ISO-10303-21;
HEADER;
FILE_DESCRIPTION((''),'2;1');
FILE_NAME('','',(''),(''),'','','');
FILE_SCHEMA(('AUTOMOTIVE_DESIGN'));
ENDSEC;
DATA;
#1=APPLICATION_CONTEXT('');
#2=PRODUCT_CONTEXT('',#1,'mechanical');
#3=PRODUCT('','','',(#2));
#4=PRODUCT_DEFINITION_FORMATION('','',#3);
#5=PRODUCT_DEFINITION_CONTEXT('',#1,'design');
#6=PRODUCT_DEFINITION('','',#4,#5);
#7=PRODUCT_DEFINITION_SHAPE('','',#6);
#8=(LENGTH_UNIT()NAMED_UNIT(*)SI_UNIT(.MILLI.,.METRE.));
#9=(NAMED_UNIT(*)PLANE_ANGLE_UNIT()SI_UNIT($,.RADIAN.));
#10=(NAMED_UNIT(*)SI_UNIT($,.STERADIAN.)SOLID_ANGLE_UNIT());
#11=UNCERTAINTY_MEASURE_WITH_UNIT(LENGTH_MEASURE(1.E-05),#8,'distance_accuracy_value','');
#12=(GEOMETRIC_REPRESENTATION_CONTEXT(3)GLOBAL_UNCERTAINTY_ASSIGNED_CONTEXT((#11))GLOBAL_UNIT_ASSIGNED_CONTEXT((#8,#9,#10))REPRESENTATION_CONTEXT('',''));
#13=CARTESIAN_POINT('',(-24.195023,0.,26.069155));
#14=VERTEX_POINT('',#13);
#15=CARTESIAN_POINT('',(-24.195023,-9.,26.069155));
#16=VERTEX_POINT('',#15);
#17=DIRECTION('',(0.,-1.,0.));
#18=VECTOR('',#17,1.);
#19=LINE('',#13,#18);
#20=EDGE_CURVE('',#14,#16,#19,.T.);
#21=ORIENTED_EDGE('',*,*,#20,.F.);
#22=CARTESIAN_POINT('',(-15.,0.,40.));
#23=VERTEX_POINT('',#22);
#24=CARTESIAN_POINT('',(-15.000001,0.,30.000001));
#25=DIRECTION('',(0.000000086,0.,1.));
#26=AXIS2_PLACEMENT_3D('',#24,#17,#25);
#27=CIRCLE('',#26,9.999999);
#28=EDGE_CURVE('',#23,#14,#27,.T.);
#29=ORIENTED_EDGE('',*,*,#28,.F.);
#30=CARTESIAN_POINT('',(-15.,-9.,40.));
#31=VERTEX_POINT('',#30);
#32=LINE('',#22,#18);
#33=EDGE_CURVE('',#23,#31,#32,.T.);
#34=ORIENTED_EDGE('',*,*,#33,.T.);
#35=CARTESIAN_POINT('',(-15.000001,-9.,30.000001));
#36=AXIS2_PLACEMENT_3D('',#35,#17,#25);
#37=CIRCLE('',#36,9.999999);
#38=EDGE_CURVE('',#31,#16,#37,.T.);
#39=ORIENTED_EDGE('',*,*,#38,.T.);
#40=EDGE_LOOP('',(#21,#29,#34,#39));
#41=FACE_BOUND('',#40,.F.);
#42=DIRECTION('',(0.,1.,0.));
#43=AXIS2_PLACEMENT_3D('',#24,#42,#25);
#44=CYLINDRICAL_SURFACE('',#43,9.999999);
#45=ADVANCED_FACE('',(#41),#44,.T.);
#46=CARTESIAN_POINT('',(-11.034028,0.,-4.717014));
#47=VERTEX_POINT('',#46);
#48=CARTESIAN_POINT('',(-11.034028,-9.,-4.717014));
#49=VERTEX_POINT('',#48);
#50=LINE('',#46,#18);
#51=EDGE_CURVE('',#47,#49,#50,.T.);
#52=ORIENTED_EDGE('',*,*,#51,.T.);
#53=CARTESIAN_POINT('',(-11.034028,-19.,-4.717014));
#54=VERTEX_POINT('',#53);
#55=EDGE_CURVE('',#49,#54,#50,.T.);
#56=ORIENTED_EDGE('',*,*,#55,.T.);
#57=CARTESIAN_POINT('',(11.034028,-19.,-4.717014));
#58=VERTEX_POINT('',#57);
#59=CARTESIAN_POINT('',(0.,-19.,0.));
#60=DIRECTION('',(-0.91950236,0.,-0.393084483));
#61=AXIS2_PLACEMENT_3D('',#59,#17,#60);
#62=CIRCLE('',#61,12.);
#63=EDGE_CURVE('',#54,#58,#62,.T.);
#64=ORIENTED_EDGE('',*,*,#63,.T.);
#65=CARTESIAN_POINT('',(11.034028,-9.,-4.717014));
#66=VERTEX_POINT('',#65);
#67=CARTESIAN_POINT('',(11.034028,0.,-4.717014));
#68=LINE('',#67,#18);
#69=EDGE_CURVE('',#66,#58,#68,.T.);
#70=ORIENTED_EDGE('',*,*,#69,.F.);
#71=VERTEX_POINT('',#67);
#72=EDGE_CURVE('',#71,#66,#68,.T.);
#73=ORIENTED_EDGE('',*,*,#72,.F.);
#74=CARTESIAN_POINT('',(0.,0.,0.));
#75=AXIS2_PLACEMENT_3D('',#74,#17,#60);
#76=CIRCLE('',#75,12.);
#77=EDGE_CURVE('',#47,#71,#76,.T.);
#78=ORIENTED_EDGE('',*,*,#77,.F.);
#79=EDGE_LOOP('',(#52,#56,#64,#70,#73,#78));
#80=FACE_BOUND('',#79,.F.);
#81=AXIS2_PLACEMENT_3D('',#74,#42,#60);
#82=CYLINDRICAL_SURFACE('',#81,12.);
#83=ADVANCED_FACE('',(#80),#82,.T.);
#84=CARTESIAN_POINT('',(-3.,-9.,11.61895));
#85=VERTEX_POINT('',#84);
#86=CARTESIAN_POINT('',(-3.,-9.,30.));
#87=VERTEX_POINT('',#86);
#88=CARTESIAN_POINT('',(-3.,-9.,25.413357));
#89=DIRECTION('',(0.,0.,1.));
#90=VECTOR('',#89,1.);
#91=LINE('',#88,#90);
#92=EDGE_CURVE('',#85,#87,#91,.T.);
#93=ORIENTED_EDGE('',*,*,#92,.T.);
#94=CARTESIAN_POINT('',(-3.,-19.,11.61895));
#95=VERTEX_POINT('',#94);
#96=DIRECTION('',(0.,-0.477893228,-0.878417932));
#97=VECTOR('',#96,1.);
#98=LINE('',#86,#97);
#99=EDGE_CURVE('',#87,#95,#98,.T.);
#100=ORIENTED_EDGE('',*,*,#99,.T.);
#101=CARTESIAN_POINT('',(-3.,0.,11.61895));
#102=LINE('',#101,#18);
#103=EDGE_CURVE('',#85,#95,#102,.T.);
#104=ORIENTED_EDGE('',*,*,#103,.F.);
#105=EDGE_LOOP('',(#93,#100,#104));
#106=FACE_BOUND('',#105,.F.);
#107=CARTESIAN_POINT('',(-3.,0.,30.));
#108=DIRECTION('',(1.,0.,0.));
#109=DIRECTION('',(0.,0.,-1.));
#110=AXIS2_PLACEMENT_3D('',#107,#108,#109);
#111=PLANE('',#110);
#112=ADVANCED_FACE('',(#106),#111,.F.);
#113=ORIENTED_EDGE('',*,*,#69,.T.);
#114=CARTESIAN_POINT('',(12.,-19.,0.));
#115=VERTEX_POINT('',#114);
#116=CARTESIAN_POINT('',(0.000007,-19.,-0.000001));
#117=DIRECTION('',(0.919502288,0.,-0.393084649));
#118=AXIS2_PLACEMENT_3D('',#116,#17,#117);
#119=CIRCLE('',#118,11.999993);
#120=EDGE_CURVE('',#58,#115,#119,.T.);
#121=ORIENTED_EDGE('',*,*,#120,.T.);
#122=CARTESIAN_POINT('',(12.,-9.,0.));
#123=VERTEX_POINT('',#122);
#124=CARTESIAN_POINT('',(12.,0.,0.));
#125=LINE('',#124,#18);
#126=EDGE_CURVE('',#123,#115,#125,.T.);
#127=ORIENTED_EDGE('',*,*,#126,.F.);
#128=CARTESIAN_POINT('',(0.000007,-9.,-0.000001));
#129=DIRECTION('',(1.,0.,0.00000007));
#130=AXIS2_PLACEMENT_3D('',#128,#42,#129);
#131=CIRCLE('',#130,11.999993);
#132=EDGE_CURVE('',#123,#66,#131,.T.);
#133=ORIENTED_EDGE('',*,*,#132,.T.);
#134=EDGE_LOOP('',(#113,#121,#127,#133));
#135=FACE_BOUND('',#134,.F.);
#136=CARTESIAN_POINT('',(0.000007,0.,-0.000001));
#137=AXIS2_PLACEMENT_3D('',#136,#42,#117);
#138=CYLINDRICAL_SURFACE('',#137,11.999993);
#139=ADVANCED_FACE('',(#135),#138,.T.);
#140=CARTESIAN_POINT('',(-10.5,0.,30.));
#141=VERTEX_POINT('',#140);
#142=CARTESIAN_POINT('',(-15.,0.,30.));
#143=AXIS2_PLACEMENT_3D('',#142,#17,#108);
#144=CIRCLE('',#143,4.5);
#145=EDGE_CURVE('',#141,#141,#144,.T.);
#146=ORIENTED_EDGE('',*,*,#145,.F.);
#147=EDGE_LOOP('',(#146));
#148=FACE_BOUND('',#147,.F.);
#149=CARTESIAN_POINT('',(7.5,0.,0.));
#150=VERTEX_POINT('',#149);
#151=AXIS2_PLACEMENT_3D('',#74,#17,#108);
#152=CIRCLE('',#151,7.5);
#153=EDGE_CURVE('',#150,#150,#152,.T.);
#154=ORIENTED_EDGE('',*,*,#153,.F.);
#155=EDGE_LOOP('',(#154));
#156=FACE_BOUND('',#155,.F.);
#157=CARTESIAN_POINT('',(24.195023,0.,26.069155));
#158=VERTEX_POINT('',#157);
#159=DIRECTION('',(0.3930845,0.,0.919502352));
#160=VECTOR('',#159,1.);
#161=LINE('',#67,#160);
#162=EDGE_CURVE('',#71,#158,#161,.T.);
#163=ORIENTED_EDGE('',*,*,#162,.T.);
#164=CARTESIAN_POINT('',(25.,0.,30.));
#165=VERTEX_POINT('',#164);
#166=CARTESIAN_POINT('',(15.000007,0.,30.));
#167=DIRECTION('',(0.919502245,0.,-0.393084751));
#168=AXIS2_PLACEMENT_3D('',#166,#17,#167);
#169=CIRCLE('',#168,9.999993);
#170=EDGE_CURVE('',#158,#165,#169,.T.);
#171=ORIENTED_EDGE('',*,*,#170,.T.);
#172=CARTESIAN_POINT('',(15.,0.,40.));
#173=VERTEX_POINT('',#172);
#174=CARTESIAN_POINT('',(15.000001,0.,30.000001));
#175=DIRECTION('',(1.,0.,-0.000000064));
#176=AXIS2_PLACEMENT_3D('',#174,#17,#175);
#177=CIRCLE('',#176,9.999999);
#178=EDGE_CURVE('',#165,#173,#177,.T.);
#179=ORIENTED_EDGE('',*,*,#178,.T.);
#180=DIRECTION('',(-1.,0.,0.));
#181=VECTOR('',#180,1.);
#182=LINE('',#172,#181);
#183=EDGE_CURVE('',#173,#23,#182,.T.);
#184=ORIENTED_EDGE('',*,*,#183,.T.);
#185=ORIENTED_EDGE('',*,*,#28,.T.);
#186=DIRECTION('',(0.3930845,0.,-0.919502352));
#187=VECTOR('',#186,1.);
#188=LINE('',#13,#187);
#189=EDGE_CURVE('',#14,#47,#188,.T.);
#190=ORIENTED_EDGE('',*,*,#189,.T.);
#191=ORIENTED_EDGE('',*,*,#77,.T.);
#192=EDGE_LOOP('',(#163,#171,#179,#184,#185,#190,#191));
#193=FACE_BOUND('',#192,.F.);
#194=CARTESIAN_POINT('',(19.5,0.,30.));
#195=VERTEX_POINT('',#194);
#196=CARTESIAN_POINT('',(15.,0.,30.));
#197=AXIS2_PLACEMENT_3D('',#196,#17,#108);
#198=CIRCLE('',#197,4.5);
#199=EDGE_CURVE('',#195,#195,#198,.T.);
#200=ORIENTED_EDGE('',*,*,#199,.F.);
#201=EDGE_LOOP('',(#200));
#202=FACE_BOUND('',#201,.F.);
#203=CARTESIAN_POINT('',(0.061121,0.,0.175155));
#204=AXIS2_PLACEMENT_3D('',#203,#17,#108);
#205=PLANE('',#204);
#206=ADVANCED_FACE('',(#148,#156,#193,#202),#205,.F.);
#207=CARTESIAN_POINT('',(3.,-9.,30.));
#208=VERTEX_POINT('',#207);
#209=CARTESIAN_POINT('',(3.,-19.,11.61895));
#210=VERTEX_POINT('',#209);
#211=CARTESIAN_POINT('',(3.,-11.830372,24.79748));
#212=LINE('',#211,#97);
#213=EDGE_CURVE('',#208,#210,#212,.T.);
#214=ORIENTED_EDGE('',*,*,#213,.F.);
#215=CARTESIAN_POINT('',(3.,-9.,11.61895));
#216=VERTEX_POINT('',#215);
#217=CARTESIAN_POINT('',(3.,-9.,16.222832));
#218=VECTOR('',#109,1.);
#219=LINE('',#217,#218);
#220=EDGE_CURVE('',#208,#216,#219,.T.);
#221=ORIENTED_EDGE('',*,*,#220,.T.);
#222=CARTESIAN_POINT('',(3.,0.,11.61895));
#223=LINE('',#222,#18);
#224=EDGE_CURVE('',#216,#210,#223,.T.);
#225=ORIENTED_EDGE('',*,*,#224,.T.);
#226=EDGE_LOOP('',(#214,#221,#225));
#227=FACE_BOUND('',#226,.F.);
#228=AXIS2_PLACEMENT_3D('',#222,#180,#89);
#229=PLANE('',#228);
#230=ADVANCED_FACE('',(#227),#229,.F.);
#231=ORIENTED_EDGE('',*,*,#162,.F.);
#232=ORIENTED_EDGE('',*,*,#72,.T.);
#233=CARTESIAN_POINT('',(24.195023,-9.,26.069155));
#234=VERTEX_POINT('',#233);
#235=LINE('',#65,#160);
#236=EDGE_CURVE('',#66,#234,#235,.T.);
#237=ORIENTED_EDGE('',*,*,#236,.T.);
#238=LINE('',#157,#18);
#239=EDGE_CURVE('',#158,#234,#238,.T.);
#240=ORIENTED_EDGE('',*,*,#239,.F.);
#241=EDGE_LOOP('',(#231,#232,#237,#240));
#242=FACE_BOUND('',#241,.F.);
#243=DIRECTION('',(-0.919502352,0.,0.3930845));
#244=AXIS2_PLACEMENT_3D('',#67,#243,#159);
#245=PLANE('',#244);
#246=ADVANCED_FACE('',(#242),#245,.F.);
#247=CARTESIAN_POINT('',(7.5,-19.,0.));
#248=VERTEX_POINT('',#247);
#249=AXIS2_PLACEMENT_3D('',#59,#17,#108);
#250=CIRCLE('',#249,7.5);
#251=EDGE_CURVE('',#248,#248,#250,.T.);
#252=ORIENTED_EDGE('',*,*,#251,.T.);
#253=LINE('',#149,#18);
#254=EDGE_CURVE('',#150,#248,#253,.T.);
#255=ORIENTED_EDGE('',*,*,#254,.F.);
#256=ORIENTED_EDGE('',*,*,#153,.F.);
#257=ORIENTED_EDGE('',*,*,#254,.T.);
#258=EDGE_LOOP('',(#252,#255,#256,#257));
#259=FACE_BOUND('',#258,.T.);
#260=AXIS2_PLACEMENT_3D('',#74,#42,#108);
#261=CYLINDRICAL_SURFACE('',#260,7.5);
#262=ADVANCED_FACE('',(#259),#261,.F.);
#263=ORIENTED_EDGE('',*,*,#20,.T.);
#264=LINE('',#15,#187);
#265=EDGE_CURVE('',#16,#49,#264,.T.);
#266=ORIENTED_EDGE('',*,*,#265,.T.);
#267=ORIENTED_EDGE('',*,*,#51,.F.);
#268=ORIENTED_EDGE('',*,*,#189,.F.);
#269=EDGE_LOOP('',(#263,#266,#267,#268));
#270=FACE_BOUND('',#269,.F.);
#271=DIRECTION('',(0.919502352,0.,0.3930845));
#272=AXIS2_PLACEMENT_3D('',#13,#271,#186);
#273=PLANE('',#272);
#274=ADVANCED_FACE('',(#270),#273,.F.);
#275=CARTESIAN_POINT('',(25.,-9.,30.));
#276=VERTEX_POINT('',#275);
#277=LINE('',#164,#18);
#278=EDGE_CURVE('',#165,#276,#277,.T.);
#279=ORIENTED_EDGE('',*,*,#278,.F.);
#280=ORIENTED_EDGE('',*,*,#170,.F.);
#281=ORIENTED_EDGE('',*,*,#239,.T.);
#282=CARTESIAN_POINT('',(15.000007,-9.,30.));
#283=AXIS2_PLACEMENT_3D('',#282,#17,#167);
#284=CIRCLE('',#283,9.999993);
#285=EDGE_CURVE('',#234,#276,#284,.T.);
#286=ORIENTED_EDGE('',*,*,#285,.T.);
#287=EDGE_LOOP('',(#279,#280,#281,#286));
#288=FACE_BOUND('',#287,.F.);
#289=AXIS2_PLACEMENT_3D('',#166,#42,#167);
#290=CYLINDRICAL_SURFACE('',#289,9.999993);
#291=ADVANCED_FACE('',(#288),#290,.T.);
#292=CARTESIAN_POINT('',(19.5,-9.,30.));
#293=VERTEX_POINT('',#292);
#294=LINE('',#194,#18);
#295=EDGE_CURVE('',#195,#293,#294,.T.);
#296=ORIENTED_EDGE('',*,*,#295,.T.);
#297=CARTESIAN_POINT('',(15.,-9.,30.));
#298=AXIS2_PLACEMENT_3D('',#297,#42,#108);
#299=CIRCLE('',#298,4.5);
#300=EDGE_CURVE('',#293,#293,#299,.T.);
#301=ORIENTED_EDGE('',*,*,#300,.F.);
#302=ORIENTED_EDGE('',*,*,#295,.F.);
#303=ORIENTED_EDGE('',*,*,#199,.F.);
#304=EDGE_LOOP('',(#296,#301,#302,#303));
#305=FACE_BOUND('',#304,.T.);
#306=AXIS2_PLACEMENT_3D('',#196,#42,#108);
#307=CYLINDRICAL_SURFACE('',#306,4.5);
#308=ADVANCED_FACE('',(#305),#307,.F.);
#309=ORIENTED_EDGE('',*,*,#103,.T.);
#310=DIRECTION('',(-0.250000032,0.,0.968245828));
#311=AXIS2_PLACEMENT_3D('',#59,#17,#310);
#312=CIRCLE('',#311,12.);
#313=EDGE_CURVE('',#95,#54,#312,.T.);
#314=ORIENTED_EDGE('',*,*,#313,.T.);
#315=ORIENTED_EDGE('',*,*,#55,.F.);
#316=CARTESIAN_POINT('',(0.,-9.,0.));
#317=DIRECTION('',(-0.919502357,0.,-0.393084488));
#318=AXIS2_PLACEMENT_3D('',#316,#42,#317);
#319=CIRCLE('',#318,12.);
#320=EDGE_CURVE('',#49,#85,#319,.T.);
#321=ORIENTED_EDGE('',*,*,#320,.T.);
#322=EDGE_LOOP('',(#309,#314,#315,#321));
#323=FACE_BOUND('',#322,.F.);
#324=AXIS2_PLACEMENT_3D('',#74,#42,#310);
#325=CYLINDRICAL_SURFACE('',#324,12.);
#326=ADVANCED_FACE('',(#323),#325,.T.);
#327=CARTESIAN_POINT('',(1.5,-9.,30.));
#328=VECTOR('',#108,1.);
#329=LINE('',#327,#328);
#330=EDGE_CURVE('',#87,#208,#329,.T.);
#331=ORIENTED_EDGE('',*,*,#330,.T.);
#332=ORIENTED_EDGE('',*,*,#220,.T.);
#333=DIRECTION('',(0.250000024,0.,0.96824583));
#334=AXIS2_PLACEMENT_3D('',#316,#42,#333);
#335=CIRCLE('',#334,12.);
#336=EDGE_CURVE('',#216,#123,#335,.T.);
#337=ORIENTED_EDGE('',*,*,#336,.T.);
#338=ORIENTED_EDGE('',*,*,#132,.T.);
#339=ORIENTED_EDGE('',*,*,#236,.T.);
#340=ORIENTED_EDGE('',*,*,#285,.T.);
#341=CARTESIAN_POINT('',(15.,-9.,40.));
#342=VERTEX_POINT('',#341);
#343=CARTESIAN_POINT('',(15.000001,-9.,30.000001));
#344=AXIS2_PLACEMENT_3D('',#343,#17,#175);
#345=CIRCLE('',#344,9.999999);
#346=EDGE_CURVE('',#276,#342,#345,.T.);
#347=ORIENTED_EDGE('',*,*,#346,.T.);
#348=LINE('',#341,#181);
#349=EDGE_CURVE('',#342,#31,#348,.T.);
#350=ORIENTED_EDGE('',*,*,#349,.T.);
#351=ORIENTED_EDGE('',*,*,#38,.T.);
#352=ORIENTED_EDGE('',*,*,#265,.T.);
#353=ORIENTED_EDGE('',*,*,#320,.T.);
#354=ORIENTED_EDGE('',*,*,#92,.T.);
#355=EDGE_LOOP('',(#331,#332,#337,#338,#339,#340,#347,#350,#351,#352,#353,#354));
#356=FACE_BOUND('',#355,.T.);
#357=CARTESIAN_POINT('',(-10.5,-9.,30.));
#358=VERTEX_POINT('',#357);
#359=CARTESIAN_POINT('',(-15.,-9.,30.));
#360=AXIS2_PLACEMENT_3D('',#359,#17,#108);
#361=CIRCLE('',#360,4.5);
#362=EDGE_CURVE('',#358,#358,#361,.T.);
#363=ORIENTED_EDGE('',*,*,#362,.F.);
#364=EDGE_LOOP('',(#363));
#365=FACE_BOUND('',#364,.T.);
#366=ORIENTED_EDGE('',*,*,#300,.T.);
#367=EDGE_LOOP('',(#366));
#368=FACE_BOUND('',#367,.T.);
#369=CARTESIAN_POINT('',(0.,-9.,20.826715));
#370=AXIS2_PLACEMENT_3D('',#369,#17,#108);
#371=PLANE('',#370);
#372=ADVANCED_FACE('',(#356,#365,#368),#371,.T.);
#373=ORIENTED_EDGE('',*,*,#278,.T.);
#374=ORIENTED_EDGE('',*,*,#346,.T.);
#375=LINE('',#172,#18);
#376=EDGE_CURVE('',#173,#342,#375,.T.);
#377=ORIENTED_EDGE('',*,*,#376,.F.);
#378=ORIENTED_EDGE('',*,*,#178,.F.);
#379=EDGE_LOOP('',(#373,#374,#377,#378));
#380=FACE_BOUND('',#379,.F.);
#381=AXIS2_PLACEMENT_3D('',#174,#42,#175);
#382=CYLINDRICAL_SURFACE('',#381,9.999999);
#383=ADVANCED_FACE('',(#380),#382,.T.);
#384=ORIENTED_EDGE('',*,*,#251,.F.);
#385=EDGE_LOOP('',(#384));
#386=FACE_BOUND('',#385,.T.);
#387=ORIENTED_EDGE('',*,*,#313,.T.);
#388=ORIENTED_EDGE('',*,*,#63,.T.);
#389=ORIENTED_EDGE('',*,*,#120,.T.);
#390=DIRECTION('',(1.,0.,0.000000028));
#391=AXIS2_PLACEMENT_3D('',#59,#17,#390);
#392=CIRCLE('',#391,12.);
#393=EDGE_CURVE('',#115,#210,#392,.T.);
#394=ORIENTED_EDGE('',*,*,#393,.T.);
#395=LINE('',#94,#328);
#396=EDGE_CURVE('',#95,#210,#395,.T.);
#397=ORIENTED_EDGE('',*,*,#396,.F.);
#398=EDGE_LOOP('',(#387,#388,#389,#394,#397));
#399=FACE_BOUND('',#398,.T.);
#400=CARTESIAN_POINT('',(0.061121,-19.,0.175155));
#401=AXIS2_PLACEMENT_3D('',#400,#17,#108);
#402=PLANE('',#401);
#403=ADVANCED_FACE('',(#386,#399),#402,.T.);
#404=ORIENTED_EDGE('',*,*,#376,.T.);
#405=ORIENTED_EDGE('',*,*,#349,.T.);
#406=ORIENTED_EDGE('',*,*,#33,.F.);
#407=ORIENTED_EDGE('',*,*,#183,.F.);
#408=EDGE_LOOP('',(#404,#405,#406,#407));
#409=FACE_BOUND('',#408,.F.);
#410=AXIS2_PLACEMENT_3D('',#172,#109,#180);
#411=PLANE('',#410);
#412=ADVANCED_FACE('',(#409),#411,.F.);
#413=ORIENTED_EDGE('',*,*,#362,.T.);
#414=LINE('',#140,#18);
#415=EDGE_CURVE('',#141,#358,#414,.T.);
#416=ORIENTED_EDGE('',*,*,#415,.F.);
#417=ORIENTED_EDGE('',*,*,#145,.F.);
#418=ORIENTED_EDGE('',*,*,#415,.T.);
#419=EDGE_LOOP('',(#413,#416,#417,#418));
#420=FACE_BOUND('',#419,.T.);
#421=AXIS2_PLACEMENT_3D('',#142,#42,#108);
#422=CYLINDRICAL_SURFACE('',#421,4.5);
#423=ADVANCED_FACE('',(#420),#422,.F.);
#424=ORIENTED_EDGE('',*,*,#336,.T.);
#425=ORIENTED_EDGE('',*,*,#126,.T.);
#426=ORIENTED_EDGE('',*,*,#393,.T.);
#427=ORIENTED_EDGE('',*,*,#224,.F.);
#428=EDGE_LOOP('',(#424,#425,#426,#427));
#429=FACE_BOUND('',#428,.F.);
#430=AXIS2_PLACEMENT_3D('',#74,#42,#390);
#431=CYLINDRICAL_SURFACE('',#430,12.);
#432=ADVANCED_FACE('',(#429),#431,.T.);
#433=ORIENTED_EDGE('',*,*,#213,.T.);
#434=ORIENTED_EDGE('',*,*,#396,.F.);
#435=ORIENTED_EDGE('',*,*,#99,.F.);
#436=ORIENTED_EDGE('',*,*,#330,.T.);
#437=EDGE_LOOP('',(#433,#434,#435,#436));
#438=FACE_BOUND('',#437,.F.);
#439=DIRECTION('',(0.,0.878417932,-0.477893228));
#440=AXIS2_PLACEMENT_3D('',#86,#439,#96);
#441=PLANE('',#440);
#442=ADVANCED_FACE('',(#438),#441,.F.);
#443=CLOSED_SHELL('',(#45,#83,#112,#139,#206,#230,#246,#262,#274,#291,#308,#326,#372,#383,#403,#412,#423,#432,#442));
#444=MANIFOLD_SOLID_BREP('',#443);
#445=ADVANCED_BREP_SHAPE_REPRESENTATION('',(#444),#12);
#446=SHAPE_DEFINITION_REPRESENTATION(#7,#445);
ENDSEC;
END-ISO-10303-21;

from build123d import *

# Parameters (mm, degrees)
F0_R     = 4.5
F1_DEPTH = 9
F2_DEPTH = 19
F0_R_2   = 7.5
F4_DEPTH = 19
F5_DEPTH = 28.001


with BuildPart() as f1:
    # F0 (on Front) → F1 (new body)
    with BuildSketch(Plane.XZ):
        with BuildLine():
            ThreePointArc((-3, 11.61895), (0, 12), (3, 11.61895))
            Line((3, 11.61895), (3, 30))
            Line((3, 30), (-3, 30))
            Line((-3, 30), (-3, 11.61895))
        make_face()
        with BuildLine():
            ThreePointArc((3, 11.61895), (9.486833, 7.348469), (12, 0))
            ThreePointArc((12, 0), (11.756027, -2.407453), (11.034028, -4.717014))
            Line((11.034028, -4.717014), (24.195023, 26.069155))
            ThreePointArc((24.195023, 26.069155), (6.654089, 24.4913), (15, 40))
            Line((15, 40), (-15, 40))
            ThreePointArc((-15, 40), (-7.928932, 37.071068), (-5, 30))
            ThreePointArc((-5, 30), (-12.993789, 20.203311), (-24.195023, 26.069155))
            Line((-24.195023, 26.069155), (-11.034028, -4.717014))
            ThreePointArc((-11.034028, -4.717014), (-10.768213, 5.295808), (-3, 11.61895))
            Line((-3, 11.61895), (-3, 30))
            Line((-3, 30), (3, 30))
            Line((3, 30), (3, 11.61895))
        make_face()
        with BuildLine():
            ThreePointArc((-15, 40), (-23.345911, 35.5087), (-24.195023, 26.069155))
            ThreePointArc((-24.195023, 26.069155), (-12.993789, 20.203311), (-5, 30))
            ThreePointArc((-5, 30), (-7.928932, 37.071068), (-15, 40))
        make_face()
        with Locations((-15, 30)):
            Circle(F0_R, mode=Mode.SUBTRACT)
        with BuildLine():
            ThreePointArc((15, 40), (6.654089, 24.4913), (24.195023, 26.069155))
            ThreePointArc((24.195023, 26.069155), (24.796689, 27.993789), (25, 30))
            ThreePointArc((25, 30), (22.071068, 37.071068), (15, 40))
        make_face()
        with Locations((15, 30)):
            Circle(F0_R, mode=Mode.SUBTRACT)
    extrude(amount=F1_DEPTH)

    # F0 (on Front) → F2 (join)
    with BuildSketch(Plane.XZ):
        with BuildLine():
            ThreePointArc((-3, 11.61895), (0, 12), (3, 11.61895))
            Line((3, 11.61895), (3, 30))
            Line((3, 30), (-3, 30))
            Line((-3, 30), (-3, 11.61895))
        make_face()
    extrude(amount=F2_DEPTH)

    # F0 (on Front) → F4 (join)
    with BuildSketch(Plane.XZ):
        with BuildLine():
            ThreePointArc((11.034028, -4.717014), (11.756027, -2.407453), (12, 0))
            ThreePointArc((12, 0), (9.486833, 7.348469), (3, 11.61895))
            ThreePointArc((3, 11.61895), (0, 12), (-3, 11.61895))
            ThreePointArc((-3, 11.61895), (-10.768213, 5.295808), (-11.034028, -4.717014))
            ThreePointArc((-11.034028, -4.717014), (0, -12), (11.034028, -4.717014))
        make_face()
        Circle(F0_R_2, mode=Mode.SUBTRACT)
    extrude(amount=F4_DEPTH)

    # F3 (on face) → F5 (cut, through all)
    with BuildSketch(Plane(origin=(-3, 0, 0), x_dir=(0, -1, 0), z_dir=(-1, 0, 0))):
        Polygon((19, 30), (9, 30), (19, 11.61895), align=None)
    extrude(amount=-F5_DEPTH, mode=Mode.SUBTRACT)


solid = f1.part
